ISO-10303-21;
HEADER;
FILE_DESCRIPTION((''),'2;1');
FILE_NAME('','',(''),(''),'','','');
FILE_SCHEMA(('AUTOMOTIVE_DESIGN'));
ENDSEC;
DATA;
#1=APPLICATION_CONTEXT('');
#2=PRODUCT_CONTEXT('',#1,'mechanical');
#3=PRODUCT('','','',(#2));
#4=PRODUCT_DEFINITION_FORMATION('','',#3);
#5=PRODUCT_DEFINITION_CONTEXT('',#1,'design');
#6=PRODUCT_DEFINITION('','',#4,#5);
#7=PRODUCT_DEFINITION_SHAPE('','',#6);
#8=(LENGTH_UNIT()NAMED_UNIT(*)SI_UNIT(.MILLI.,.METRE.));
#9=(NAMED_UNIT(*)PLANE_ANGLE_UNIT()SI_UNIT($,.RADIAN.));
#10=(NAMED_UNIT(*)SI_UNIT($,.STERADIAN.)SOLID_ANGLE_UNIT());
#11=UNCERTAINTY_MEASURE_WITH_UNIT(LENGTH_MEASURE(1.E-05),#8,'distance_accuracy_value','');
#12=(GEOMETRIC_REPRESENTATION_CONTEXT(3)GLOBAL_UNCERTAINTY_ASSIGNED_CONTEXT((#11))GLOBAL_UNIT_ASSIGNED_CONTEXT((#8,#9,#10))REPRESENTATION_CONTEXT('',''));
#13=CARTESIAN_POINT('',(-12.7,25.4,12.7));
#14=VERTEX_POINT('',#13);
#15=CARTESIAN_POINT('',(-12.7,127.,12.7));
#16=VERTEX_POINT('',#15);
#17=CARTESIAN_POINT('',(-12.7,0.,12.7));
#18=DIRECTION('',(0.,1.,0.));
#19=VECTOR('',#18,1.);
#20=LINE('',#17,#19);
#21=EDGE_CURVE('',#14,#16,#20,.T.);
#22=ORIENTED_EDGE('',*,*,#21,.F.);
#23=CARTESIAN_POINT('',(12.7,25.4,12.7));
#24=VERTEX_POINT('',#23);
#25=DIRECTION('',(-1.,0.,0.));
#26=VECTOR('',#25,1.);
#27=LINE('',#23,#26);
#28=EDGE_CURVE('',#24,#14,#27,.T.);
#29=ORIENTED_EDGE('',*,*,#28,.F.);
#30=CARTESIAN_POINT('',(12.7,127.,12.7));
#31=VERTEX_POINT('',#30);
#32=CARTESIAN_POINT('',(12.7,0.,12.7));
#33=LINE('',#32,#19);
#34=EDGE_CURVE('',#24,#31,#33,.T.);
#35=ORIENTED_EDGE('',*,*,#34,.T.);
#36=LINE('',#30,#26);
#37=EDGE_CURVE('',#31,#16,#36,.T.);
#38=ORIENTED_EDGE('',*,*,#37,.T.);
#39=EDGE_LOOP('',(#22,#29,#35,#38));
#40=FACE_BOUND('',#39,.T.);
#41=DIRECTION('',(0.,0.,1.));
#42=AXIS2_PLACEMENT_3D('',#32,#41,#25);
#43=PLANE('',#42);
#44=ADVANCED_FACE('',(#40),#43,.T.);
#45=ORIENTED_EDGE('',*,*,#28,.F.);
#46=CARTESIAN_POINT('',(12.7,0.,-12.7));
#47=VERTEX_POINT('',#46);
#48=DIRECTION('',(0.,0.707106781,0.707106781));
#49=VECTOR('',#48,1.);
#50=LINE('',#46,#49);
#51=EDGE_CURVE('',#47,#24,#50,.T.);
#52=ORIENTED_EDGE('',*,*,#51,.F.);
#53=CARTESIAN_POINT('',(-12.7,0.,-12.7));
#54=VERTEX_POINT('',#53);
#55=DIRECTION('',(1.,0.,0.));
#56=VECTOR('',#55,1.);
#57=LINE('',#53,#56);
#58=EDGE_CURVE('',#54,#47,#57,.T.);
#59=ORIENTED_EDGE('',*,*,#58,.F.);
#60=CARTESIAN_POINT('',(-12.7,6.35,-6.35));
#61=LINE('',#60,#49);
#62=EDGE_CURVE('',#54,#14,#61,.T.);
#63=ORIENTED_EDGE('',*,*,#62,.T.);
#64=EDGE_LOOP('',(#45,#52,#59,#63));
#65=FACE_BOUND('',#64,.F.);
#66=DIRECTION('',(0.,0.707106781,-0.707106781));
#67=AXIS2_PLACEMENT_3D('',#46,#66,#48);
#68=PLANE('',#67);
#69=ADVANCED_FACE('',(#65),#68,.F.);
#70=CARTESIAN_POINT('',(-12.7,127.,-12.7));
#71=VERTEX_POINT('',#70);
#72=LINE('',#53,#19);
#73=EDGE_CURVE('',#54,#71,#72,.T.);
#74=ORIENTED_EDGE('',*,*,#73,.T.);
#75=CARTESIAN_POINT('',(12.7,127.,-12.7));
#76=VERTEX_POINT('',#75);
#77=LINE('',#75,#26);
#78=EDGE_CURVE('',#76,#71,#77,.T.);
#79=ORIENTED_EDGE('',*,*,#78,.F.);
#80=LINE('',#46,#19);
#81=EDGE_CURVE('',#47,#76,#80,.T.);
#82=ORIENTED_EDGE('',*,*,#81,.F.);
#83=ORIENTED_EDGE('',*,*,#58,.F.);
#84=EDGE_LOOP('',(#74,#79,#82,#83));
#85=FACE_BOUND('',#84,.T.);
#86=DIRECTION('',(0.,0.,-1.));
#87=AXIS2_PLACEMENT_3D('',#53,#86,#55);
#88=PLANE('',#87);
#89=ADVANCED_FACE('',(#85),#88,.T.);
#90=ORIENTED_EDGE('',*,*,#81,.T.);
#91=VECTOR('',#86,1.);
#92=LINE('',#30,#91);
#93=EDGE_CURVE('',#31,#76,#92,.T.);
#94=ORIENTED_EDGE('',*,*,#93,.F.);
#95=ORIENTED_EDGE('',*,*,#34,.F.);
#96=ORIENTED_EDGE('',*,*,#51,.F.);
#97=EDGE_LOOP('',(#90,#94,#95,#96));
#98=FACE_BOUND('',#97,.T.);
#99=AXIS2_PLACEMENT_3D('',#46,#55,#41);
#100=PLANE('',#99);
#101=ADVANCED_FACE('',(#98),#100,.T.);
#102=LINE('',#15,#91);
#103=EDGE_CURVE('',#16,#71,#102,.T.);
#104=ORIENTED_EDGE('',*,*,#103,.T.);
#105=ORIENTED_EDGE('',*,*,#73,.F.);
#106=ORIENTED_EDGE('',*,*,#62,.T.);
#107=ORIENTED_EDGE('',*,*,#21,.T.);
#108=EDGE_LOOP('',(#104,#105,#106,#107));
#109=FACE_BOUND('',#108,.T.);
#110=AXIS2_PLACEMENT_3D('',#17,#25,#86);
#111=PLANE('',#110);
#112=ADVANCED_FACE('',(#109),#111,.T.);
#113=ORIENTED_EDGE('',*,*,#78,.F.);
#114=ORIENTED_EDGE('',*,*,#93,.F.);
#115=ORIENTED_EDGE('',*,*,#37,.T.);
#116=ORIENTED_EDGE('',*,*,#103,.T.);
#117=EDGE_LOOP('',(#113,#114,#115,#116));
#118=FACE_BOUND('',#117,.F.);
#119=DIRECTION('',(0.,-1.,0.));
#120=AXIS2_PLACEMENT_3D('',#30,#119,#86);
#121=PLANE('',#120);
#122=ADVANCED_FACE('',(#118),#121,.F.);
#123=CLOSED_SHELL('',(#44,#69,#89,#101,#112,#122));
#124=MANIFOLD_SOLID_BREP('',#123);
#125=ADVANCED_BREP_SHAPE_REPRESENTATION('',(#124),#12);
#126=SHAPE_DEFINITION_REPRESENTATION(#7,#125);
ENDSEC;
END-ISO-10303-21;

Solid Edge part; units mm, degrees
sketch "Sketch1" plane through (0, 0, 0) normal (0, -1, 0) x (1, 0, 0)
  line L0 (12.7, -12.7) -> (12.7, 12.7)
  line L1 (12.7, 12.7) -> (-12.7, 12.7)
  line L2 (-12.7, 12.7) -> (-12.7, -12.7)
  line L3 (-12.7, -12.7) -> (12.7, -12.7)
extrude "Protrusion1" add sketch "Sketch1" against normal blind 152.4
sketch "Sketch2" plane through (12.7, 76.2, 0) normal (1, 0, 0) x (0, 1, 0)
  line L0 (-76.2, -12.7) -> (-50.8, 12.7)
  line L1 (-50.8, 12.7) -> (-76.2, 12.7)
  line L2 (-76.2, 12.7) -> (-76.2, -12.7)
  line L3 (50.8, 12.7) -> (50.8, -12.7)
  line L4 (50.8, -12.7) -> (76.2, -12.7)
  line L5 (76.2, -12.7) -> (76.2, 12.7)
  line L6 (76.2, 12.7) -> (50.8, 12.7)
extrude "Cutout1" cut sketch "Sketch2" against normal up to next
